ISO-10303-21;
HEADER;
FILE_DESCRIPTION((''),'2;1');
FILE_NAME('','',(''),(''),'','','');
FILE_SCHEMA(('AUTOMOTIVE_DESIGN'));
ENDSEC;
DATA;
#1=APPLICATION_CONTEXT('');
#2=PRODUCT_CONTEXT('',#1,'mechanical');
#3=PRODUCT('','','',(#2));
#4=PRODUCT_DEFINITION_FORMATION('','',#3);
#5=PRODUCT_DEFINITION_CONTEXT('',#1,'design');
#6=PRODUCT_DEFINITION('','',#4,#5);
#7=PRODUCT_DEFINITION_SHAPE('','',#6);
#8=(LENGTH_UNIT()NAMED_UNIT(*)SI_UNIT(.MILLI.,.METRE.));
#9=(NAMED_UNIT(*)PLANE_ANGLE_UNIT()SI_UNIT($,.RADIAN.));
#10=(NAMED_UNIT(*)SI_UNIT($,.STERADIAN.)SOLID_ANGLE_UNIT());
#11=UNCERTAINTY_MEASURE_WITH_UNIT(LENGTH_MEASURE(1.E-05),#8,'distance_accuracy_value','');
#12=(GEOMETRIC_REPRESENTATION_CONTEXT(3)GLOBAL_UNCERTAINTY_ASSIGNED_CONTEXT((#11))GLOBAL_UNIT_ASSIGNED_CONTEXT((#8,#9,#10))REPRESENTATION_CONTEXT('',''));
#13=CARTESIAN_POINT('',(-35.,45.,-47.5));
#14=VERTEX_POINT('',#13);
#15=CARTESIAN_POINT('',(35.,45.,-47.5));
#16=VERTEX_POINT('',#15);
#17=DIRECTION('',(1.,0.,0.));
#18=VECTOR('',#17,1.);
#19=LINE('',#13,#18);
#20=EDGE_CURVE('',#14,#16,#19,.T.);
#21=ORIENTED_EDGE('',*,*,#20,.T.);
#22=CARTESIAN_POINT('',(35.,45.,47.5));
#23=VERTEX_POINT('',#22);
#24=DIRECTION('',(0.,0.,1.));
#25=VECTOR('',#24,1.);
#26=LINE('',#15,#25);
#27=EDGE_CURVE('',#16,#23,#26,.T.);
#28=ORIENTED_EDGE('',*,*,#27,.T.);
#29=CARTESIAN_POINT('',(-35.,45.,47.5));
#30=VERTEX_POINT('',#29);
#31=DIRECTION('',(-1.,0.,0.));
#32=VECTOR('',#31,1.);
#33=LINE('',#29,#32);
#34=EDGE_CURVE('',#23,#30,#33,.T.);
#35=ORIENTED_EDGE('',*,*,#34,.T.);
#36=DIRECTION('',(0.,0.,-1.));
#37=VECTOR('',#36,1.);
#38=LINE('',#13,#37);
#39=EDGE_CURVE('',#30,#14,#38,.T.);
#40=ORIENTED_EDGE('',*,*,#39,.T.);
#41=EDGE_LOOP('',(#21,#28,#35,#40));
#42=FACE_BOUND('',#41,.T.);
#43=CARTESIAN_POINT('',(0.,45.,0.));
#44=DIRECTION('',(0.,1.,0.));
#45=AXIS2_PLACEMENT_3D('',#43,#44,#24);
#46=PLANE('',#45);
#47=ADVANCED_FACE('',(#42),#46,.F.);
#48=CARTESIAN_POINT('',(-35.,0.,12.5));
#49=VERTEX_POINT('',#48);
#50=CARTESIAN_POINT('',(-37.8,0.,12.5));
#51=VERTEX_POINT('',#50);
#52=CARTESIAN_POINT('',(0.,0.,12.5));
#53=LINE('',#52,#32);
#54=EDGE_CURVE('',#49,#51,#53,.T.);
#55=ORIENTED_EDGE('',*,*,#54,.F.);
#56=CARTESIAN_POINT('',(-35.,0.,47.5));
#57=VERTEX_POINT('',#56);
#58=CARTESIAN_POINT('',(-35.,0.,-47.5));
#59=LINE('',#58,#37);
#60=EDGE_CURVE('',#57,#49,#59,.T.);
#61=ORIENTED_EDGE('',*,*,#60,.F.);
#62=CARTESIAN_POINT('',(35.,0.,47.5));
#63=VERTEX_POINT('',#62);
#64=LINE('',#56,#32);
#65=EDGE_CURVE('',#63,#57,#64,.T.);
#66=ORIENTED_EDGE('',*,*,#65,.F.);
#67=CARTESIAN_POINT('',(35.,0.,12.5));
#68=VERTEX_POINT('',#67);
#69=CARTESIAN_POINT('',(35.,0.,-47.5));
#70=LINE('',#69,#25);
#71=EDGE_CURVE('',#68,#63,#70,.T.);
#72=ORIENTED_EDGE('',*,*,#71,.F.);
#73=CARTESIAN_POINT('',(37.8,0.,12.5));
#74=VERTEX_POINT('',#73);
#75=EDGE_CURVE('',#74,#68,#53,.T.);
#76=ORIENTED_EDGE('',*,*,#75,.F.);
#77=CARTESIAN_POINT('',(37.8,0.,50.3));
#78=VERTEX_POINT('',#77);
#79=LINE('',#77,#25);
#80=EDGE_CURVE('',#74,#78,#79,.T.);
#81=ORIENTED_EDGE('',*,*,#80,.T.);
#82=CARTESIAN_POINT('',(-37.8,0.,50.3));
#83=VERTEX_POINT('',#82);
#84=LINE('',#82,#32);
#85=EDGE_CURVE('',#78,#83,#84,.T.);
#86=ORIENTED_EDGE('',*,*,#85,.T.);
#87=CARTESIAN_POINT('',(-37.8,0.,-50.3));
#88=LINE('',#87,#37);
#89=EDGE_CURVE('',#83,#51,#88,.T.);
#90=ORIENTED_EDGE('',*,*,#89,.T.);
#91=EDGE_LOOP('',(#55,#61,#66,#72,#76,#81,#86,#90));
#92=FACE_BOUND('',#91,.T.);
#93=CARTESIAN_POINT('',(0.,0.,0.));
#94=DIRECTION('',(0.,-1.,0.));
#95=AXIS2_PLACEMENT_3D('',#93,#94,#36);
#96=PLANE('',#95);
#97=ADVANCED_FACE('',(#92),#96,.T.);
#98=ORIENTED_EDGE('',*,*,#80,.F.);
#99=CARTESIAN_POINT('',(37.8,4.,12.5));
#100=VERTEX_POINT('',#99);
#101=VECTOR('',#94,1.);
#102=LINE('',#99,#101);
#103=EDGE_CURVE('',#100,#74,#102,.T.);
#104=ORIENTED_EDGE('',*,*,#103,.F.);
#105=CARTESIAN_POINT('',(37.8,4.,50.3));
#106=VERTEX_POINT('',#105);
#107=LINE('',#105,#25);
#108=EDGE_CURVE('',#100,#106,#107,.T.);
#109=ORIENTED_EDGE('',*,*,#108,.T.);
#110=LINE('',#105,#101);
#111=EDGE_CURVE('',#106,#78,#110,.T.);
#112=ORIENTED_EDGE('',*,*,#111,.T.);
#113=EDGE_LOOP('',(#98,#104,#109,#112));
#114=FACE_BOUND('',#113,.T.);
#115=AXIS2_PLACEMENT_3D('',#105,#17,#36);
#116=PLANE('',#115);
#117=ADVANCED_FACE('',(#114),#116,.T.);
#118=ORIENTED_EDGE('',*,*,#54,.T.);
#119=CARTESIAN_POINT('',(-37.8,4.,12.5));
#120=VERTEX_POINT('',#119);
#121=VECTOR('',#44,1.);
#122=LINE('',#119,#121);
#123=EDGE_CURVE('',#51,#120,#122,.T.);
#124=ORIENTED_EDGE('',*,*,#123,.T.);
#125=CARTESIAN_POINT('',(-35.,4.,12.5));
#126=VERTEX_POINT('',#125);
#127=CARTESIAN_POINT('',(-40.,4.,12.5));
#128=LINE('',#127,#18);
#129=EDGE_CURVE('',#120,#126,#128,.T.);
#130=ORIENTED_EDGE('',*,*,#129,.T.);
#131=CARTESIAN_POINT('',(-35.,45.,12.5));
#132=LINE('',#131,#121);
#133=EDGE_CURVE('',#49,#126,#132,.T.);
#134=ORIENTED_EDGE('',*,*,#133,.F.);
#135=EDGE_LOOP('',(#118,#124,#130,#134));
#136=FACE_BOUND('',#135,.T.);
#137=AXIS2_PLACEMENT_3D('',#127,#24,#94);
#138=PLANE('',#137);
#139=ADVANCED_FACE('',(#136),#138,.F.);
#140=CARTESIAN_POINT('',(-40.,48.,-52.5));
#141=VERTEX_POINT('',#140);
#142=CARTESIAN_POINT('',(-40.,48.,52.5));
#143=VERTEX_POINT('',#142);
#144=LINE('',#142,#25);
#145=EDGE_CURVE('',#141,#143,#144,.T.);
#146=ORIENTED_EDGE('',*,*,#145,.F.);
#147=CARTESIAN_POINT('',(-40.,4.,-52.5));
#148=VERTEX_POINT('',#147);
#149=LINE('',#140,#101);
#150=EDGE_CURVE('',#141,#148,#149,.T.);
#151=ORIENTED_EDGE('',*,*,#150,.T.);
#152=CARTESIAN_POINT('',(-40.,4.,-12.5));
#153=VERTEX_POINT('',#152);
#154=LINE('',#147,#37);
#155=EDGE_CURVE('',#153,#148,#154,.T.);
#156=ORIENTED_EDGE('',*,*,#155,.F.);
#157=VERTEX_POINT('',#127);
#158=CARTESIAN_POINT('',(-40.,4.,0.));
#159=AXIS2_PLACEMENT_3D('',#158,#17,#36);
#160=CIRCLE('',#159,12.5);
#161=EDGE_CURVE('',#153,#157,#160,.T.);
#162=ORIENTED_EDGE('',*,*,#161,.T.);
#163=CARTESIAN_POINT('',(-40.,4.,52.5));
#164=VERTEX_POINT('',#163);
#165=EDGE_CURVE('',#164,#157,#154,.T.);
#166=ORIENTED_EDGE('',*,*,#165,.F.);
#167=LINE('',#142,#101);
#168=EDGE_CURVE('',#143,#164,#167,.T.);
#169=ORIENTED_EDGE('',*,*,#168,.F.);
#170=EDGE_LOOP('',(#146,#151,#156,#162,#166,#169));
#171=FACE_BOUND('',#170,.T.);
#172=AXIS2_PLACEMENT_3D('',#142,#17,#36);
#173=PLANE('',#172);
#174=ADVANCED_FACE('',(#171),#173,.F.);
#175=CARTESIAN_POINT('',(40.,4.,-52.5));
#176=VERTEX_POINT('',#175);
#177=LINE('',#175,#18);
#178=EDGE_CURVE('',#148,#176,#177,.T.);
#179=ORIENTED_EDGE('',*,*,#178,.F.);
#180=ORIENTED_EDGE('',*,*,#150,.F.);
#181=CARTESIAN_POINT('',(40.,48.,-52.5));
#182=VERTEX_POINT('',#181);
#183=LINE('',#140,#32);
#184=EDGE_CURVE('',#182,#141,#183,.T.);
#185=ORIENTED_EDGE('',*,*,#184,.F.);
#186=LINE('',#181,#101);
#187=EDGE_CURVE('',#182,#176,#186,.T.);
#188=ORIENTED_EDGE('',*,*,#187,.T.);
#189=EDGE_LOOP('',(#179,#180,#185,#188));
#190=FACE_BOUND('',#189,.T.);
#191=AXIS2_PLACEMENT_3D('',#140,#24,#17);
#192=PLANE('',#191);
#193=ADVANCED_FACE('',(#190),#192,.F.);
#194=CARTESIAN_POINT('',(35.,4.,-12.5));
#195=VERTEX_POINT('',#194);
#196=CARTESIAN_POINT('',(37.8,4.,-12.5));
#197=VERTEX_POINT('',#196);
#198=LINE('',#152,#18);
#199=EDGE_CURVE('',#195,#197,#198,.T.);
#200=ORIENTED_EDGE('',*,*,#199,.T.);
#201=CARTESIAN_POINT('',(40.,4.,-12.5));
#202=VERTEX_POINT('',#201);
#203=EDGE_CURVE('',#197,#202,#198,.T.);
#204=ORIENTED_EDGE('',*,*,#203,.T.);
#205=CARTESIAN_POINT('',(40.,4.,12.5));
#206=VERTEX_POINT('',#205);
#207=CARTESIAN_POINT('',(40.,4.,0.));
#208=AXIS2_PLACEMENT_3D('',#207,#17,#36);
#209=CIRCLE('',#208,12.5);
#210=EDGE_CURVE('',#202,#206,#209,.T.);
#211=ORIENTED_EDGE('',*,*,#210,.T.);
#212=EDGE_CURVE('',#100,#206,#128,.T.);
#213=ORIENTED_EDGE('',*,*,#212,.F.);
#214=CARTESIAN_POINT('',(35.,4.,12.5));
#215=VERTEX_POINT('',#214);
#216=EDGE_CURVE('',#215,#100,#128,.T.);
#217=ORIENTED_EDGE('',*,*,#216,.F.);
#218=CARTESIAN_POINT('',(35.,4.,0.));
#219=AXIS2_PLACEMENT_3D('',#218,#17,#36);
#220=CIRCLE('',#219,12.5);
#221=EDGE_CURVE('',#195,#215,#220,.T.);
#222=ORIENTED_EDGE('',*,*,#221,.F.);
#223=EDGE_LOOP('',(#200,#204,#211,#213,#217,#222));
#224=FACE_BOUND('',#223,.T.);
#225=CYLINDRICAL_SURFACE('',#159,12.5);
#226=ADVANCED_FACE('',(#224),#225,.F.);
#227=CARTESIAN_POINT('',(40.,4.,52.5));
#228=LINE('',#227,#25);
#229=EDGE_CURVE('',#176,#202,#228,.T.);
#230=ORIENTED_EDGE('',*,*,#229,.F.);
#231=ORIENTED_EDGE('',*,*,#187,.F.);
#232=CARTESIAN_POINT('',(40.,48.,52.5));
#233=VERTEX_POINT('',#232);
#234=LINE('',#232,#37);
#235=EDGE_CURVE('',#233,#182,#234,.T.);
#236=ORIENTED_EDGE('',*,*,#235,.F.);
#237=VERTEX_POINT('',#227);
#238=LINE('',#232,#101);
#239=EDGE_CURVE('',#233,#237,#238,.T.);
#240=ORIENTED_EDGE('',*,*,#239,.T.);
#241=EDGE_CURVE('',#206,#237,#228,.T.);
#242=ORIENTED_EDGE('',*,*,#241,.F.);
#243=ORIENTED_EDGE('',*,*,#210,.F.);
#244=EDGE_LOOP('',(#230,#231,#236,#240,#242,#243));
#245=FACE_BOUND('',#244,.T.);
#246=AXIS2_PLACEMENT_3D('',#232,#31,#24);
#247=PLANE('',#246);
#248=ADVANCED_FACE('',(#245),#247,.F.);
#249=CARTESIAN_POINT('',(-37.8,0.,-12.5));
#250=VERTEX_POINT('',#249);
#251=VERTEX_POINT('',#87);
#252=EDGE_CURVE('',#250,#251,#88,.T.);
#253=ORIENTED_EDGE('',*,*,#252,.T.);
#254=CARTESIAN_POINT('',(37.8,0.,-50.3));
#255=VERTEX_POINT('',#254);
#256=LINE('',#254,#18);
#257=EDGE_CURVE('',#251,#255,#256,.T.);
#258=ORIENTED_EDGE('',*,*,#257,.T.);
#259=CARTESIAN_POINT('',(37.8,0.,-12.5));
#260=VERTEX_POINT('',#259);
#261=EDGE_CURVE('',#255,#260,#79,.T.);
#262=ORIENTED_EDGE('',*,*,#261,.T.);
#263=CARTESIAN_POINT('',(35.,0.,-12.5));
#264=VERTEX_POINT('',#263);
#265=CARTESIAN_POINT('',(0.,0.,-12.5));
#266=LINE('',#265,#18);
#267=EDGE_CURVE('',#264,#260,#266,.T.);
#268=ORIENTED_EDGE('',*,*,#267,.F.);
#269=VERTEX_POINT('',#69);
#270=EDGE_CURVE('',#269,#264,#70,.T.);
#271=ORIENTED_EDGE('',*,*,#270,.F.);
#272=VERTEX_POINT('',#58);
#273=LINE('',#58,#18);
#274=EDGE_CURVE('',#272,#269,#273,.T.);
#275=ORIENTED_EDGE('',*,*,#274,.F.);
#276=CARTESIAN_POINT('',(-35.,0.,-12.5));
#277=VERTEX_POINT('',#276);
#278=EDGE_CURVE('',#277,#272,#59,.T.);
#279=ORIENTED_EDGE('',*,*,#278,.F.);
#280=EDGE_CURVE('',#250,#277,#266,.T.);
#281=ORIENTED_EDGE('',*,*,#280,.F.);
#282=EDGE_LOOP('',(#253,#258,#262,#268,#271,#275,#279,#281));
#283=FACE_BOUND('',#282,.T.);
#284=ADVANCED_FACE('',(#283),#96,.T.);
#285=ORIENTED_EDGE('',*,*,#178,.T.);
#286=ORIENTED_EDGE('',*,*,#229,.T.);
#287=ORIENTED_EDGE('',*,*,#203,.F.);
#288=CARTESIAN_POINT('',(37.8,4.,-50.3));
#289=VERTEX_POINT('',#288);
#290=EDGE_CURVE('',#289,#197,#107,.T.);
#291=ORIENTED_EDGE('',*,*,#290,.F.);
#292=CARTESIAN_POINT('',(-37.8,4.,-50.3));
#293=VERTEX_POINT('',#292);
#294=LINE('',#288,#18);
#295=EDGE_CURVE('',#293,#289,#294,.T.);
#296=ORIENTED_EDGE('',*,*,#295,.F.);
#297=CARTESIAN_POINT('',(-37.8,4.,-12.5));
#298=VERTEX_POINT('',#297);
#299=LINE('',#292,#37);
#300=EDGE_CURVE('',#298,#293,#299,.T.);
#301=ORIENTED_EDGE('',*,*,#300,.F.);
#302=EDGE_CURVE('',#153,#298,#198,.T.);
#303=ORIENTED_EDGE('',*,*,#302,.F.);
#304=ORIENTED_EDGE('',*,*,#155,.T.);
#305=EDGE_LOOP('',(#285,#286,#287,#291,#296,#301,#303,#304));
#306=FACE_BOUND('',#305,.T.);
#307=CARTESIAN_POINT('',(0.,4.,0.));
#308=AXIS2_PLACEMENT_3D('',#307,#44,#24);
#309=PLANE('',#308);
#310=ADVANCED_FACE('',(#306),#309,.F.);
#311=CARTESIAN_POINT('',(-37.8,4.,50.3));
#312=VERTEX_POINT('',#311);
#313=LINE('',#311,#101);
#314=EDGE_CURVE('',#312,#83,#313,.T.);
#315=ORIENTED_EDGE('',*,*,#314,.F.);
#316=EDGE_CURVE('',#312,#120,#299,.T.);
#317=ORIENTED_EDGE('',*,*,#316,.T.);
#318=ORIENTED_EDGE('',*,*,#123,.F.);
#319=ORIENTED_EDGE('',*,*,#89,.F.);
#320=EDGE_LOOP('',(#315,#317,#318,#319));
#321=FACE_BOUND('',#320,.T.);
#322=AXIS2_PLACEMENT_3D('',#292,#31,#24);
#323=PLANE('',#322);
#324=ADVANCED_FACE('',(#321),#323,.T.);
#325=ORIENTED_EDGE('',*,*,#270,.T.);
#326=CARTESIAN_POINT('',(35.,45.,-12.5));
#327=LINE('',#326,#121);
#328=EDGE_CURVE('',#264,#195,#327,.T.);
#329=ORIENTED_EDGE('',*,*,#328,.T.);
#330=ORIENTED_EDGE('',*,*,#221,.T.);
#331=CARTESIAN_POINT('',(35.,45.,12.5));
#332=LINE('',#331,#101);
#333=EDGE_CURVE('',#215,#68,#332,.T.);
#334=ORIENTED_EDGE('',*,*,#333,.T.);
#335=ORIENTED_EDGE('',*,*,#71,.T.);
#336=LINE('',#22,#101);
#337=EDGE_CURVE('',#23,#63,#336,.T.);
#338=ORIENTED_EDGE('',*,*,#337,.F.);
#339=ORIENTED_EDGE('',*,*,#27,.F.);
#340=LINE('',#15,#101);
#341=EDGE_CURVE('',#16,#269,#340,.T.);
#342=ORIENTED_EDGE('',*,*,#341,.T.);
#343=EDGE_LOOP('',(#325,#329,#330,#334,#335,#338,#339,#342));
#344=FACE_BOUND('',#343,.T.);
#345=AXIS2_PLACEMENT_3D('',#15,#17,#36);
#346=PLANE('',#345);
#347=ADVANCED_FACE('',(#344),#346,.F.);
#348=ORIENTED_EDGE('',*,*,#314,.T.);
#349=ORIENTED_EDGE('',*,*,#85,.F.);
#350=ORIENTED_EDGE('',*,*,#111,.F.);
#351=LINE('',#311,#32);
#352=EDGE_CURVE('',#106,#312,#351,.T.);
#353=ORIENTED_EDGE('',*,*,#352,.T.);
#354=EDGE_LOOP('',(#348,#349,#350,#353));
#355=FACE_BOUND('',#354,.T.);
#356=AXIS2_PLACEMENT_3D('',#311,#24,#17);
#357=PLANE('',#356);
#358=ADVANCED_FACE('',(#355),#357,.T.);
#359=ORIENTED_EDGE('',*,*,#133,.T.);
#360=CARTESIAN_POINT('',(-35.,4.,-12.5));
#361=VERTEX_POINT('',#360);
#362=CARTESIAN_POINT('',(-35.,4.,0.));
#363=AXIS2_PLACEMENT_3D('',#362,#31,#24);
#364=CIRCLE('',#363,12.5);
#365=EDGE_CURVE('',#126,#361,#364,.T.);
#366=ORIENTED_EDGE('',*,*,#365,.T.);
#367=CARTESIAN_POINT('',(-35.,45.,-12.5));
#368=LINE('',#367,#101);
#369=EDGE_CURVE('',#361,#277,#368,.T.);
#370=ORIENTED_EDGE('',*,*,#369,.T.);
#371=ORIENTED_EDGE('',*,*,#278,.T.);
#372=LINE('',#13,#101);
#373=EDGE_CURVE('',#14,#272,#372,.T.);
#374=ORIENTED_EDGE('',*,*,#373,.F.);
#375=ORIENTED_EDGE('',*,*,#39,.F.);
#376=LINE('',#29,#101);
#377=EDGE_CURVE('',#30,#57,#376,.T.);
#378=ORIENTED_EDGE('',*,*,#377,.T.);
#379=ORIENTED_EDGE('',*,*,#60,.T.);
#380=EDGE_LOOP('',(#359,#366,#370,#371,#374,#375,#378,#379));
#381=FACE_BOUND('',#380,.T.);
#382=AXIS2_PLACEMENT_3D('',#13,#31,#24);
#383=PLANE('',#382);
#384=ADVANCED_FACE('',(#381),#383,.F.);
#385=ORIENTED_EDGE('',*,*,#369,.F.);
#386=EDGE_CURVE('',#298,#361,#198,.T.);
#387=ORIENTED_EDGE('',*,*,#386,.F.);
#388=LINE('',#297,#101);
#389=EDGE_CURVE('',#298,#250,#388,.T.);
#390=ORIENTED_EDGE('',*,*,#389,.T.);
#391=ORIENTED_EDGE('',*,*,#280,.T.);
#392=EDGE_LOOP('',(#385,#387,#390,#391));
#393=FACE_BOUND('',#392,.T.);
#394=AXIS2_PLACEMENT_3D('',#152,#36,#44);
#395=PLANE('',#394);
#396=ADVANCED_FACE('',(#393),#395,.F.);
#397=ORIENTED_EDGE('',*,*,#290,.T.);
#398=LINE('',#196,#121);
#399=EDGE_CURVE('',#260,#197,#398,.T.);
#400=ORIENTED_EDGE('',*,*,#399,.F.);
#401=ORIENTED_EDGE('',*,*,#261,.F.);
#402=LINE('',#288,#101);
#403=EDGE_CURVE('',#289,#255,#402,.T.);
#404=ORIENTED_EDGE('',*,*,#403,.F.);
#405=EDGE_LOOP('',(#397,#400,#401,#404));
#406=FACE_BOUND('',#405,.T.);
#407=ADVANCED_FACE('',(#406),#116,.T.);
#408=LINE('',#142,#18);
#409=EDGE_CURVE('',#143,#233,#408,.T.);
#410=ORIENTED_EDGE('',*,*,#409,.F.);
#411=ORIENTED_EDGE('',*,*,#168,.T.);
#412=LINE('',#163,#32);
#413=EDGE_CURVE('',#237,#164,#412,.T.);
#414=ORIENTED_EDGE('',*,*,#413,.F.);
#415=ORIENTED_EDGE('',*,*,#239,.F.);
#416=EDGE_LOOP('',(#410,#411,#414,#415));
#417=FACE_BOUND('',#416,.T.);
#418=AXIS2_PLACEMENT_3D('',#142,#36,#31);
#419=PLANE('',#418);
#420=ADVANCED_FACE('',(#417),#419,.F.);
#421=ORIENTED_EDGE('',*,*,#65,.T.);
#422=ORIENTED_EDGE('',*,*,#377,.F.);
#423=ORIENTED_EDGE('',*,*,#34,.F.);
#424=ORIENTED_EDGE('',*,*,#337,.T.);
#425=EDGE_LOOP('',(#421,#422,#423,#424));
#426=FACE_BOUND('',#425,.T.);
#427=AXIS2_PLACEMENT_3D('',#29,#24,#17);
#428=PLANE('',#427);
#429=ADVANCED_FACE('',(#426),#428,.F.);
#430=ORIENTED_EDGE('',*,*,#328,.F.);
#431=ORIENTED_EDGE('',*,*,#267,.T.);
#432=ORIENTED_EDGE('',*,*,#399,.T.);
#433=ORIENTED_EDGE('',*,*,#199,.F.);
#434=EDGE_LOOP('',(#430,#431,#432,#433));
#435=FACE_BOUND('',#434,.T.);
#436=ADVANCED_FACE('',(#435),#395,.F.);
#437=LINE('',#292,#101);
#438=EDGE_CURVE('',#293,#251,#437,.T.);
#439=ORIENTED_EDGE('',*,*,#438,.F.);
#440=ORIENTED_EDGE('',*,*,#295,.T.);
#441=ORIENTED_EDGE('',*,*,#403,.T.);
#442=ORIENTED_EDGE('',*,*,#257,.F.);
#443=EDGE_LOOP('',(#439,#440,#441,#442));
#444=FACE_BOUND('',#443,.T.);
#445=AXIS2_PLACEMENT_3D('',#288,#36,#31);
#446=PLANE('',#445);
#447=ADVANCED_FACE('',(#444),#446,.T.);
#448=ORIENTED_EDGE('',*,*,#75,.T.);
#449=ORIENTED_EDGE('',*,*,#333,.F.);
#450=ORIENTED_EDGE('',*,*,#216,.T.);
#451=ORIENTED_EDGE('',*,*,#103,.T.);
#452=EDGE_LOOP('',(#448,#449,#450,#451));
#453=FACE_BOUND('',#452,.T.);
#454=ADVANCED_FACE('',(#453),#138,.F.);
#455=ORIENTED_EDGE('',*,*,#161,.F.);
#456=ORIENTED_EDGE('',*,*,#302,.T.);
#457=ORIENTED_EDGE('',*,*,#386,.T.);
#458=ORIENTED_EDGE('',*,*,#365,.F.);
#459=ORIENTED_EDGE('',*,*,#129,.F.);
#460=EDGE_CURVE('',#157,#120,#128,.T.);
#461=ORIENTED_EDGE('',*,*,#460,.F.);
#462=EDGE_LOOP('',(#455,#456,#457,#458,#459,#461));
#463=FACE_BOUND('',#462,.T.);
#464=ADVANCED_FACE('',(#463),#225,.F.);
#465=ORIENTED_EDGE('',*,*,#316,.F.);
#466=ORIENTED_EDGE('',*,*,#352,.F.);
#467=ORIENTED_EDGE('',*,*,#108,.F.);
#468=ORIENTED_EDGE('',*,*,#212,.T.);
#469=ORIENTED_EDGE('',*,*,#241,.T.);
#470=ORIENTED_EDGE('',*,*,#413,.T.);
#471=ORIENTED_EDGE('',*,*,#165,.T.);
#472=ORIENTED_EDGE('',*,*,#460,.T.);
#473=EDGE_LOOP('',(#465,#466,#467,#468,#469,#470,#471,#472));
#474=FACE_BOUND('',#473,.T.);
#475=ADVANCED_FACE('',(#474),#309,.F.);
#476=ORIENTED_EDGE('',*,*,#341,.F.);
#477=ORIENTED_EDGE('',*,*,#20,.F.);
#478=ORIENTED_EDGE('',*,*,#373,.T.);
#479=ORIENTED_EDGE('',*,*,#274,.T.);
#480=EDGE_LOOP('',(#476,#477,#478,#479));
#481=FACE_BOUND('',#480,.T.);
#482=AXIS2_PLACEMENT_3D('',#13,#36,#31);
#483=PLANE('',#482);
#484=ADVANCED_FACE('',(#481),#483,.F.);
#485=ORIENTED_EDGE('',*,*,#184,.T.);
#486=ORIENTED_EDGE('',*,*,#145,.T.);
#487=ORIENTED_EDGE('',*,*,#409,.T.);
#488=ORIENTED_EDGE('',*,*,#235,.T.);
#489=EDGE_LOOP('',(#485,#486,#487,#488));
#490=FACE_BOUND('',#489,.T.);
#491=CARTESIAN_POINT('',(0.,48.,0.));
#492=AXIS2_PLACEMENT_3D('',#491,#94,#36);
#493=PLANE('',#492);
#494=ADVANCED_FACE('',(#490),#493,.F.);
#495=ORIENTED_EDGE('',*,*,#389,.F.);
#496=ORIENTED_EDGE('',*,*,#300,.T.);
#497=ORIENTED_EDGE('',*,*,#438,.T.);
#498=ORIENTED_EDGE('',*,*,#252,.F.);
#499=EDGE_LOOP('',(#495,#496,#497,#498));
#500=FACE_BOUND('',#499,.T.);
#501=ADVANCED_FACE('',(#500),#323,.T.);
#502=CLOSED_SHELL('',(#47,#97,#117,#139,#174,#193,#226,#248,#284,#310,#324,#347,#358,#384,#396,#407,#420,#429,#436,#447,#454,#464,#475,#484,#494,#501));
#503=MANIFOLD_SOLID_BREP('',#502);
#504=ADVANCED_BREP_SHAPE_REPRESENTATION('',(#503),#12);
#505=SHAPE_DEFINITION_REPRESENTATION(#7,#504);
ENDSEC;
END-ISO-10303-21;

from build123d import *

# Parameters (mm, degrees)
SKETCH1_W           = 80
SKETCH1_H           = 105
BOSS_EXTRUDE1_DEPTH = 48
SKETCH3_W           = 70
SKETCH3_H           = 95
CUT_EXTRUDE1_DEPTH  = 45
SKETCH4_W           = 80
SKETCH4_H           = 105
SKETCH4_W_2         = 75.6
SKETCH4_H_2         = 100.6
CUT_EXTRUDE2_DEPTH  = 4
CUT_EXTRUDE3_DEPTH  = 108.052557186


with BuildPart() as part:
    # Sketch1 → Boss-Extrude1 (new body)
    with BuildSketch(Plane(origin=(0, 0, 0), x_dir=(1, 0, 0), z_dir=(0, 1, 0))):
        Rectangle(SKETCH1_W, SKETCH1_H)
    extrude(amount=BOSS_EXTRUDE1_DEPTH)

    # Sketch3 → Cut-Extrude1 (cut)
    with BuildSketch(Plane.XZ):
        Rectangle(SKETCH3_W, SKETCH3_H)
    extrude(amount=-CUT_EXTRUDE1_DEPTH, mode=Mode.SUBTRACT)

    # Sketch4 → Cut-Extrude2 (cut)
    with BuildSketch(Plane.XZ):
        Rectangle(SKETCH4_W, SKETCH4_H)
        Rectangle(SKETCH4_W_2, SKETCH4_H_2, mode=Mode.SUBTRACT)
    extrude(amount=-CUT_EXTRUDE2_DEPTH, mode=Mode.SUBTRACT)

    # Sketch5 → Cut-Extrude3 (cut, through all)
    with BuildSketch(Plane(origin=(40, 0, 0), x_dir=(0, 0, -1), z_dir=(1, 0, 0))):
        with BuildLine():
            Line((-12.5, 4), (-12.5, -5.5))
            Line((-12.5, -5.5), (12.5, -5.5))
            Line((12.5, -5.5), (12.5, 4))
            ThreePointArc((12.5, 4), (0, 16.5), (-12.5, 4))
        make_face()
    extrude(amount=-CUT_EXTRUDE3_DEPTH, mode=Mode.SUBTRACT)


solid = part.part
